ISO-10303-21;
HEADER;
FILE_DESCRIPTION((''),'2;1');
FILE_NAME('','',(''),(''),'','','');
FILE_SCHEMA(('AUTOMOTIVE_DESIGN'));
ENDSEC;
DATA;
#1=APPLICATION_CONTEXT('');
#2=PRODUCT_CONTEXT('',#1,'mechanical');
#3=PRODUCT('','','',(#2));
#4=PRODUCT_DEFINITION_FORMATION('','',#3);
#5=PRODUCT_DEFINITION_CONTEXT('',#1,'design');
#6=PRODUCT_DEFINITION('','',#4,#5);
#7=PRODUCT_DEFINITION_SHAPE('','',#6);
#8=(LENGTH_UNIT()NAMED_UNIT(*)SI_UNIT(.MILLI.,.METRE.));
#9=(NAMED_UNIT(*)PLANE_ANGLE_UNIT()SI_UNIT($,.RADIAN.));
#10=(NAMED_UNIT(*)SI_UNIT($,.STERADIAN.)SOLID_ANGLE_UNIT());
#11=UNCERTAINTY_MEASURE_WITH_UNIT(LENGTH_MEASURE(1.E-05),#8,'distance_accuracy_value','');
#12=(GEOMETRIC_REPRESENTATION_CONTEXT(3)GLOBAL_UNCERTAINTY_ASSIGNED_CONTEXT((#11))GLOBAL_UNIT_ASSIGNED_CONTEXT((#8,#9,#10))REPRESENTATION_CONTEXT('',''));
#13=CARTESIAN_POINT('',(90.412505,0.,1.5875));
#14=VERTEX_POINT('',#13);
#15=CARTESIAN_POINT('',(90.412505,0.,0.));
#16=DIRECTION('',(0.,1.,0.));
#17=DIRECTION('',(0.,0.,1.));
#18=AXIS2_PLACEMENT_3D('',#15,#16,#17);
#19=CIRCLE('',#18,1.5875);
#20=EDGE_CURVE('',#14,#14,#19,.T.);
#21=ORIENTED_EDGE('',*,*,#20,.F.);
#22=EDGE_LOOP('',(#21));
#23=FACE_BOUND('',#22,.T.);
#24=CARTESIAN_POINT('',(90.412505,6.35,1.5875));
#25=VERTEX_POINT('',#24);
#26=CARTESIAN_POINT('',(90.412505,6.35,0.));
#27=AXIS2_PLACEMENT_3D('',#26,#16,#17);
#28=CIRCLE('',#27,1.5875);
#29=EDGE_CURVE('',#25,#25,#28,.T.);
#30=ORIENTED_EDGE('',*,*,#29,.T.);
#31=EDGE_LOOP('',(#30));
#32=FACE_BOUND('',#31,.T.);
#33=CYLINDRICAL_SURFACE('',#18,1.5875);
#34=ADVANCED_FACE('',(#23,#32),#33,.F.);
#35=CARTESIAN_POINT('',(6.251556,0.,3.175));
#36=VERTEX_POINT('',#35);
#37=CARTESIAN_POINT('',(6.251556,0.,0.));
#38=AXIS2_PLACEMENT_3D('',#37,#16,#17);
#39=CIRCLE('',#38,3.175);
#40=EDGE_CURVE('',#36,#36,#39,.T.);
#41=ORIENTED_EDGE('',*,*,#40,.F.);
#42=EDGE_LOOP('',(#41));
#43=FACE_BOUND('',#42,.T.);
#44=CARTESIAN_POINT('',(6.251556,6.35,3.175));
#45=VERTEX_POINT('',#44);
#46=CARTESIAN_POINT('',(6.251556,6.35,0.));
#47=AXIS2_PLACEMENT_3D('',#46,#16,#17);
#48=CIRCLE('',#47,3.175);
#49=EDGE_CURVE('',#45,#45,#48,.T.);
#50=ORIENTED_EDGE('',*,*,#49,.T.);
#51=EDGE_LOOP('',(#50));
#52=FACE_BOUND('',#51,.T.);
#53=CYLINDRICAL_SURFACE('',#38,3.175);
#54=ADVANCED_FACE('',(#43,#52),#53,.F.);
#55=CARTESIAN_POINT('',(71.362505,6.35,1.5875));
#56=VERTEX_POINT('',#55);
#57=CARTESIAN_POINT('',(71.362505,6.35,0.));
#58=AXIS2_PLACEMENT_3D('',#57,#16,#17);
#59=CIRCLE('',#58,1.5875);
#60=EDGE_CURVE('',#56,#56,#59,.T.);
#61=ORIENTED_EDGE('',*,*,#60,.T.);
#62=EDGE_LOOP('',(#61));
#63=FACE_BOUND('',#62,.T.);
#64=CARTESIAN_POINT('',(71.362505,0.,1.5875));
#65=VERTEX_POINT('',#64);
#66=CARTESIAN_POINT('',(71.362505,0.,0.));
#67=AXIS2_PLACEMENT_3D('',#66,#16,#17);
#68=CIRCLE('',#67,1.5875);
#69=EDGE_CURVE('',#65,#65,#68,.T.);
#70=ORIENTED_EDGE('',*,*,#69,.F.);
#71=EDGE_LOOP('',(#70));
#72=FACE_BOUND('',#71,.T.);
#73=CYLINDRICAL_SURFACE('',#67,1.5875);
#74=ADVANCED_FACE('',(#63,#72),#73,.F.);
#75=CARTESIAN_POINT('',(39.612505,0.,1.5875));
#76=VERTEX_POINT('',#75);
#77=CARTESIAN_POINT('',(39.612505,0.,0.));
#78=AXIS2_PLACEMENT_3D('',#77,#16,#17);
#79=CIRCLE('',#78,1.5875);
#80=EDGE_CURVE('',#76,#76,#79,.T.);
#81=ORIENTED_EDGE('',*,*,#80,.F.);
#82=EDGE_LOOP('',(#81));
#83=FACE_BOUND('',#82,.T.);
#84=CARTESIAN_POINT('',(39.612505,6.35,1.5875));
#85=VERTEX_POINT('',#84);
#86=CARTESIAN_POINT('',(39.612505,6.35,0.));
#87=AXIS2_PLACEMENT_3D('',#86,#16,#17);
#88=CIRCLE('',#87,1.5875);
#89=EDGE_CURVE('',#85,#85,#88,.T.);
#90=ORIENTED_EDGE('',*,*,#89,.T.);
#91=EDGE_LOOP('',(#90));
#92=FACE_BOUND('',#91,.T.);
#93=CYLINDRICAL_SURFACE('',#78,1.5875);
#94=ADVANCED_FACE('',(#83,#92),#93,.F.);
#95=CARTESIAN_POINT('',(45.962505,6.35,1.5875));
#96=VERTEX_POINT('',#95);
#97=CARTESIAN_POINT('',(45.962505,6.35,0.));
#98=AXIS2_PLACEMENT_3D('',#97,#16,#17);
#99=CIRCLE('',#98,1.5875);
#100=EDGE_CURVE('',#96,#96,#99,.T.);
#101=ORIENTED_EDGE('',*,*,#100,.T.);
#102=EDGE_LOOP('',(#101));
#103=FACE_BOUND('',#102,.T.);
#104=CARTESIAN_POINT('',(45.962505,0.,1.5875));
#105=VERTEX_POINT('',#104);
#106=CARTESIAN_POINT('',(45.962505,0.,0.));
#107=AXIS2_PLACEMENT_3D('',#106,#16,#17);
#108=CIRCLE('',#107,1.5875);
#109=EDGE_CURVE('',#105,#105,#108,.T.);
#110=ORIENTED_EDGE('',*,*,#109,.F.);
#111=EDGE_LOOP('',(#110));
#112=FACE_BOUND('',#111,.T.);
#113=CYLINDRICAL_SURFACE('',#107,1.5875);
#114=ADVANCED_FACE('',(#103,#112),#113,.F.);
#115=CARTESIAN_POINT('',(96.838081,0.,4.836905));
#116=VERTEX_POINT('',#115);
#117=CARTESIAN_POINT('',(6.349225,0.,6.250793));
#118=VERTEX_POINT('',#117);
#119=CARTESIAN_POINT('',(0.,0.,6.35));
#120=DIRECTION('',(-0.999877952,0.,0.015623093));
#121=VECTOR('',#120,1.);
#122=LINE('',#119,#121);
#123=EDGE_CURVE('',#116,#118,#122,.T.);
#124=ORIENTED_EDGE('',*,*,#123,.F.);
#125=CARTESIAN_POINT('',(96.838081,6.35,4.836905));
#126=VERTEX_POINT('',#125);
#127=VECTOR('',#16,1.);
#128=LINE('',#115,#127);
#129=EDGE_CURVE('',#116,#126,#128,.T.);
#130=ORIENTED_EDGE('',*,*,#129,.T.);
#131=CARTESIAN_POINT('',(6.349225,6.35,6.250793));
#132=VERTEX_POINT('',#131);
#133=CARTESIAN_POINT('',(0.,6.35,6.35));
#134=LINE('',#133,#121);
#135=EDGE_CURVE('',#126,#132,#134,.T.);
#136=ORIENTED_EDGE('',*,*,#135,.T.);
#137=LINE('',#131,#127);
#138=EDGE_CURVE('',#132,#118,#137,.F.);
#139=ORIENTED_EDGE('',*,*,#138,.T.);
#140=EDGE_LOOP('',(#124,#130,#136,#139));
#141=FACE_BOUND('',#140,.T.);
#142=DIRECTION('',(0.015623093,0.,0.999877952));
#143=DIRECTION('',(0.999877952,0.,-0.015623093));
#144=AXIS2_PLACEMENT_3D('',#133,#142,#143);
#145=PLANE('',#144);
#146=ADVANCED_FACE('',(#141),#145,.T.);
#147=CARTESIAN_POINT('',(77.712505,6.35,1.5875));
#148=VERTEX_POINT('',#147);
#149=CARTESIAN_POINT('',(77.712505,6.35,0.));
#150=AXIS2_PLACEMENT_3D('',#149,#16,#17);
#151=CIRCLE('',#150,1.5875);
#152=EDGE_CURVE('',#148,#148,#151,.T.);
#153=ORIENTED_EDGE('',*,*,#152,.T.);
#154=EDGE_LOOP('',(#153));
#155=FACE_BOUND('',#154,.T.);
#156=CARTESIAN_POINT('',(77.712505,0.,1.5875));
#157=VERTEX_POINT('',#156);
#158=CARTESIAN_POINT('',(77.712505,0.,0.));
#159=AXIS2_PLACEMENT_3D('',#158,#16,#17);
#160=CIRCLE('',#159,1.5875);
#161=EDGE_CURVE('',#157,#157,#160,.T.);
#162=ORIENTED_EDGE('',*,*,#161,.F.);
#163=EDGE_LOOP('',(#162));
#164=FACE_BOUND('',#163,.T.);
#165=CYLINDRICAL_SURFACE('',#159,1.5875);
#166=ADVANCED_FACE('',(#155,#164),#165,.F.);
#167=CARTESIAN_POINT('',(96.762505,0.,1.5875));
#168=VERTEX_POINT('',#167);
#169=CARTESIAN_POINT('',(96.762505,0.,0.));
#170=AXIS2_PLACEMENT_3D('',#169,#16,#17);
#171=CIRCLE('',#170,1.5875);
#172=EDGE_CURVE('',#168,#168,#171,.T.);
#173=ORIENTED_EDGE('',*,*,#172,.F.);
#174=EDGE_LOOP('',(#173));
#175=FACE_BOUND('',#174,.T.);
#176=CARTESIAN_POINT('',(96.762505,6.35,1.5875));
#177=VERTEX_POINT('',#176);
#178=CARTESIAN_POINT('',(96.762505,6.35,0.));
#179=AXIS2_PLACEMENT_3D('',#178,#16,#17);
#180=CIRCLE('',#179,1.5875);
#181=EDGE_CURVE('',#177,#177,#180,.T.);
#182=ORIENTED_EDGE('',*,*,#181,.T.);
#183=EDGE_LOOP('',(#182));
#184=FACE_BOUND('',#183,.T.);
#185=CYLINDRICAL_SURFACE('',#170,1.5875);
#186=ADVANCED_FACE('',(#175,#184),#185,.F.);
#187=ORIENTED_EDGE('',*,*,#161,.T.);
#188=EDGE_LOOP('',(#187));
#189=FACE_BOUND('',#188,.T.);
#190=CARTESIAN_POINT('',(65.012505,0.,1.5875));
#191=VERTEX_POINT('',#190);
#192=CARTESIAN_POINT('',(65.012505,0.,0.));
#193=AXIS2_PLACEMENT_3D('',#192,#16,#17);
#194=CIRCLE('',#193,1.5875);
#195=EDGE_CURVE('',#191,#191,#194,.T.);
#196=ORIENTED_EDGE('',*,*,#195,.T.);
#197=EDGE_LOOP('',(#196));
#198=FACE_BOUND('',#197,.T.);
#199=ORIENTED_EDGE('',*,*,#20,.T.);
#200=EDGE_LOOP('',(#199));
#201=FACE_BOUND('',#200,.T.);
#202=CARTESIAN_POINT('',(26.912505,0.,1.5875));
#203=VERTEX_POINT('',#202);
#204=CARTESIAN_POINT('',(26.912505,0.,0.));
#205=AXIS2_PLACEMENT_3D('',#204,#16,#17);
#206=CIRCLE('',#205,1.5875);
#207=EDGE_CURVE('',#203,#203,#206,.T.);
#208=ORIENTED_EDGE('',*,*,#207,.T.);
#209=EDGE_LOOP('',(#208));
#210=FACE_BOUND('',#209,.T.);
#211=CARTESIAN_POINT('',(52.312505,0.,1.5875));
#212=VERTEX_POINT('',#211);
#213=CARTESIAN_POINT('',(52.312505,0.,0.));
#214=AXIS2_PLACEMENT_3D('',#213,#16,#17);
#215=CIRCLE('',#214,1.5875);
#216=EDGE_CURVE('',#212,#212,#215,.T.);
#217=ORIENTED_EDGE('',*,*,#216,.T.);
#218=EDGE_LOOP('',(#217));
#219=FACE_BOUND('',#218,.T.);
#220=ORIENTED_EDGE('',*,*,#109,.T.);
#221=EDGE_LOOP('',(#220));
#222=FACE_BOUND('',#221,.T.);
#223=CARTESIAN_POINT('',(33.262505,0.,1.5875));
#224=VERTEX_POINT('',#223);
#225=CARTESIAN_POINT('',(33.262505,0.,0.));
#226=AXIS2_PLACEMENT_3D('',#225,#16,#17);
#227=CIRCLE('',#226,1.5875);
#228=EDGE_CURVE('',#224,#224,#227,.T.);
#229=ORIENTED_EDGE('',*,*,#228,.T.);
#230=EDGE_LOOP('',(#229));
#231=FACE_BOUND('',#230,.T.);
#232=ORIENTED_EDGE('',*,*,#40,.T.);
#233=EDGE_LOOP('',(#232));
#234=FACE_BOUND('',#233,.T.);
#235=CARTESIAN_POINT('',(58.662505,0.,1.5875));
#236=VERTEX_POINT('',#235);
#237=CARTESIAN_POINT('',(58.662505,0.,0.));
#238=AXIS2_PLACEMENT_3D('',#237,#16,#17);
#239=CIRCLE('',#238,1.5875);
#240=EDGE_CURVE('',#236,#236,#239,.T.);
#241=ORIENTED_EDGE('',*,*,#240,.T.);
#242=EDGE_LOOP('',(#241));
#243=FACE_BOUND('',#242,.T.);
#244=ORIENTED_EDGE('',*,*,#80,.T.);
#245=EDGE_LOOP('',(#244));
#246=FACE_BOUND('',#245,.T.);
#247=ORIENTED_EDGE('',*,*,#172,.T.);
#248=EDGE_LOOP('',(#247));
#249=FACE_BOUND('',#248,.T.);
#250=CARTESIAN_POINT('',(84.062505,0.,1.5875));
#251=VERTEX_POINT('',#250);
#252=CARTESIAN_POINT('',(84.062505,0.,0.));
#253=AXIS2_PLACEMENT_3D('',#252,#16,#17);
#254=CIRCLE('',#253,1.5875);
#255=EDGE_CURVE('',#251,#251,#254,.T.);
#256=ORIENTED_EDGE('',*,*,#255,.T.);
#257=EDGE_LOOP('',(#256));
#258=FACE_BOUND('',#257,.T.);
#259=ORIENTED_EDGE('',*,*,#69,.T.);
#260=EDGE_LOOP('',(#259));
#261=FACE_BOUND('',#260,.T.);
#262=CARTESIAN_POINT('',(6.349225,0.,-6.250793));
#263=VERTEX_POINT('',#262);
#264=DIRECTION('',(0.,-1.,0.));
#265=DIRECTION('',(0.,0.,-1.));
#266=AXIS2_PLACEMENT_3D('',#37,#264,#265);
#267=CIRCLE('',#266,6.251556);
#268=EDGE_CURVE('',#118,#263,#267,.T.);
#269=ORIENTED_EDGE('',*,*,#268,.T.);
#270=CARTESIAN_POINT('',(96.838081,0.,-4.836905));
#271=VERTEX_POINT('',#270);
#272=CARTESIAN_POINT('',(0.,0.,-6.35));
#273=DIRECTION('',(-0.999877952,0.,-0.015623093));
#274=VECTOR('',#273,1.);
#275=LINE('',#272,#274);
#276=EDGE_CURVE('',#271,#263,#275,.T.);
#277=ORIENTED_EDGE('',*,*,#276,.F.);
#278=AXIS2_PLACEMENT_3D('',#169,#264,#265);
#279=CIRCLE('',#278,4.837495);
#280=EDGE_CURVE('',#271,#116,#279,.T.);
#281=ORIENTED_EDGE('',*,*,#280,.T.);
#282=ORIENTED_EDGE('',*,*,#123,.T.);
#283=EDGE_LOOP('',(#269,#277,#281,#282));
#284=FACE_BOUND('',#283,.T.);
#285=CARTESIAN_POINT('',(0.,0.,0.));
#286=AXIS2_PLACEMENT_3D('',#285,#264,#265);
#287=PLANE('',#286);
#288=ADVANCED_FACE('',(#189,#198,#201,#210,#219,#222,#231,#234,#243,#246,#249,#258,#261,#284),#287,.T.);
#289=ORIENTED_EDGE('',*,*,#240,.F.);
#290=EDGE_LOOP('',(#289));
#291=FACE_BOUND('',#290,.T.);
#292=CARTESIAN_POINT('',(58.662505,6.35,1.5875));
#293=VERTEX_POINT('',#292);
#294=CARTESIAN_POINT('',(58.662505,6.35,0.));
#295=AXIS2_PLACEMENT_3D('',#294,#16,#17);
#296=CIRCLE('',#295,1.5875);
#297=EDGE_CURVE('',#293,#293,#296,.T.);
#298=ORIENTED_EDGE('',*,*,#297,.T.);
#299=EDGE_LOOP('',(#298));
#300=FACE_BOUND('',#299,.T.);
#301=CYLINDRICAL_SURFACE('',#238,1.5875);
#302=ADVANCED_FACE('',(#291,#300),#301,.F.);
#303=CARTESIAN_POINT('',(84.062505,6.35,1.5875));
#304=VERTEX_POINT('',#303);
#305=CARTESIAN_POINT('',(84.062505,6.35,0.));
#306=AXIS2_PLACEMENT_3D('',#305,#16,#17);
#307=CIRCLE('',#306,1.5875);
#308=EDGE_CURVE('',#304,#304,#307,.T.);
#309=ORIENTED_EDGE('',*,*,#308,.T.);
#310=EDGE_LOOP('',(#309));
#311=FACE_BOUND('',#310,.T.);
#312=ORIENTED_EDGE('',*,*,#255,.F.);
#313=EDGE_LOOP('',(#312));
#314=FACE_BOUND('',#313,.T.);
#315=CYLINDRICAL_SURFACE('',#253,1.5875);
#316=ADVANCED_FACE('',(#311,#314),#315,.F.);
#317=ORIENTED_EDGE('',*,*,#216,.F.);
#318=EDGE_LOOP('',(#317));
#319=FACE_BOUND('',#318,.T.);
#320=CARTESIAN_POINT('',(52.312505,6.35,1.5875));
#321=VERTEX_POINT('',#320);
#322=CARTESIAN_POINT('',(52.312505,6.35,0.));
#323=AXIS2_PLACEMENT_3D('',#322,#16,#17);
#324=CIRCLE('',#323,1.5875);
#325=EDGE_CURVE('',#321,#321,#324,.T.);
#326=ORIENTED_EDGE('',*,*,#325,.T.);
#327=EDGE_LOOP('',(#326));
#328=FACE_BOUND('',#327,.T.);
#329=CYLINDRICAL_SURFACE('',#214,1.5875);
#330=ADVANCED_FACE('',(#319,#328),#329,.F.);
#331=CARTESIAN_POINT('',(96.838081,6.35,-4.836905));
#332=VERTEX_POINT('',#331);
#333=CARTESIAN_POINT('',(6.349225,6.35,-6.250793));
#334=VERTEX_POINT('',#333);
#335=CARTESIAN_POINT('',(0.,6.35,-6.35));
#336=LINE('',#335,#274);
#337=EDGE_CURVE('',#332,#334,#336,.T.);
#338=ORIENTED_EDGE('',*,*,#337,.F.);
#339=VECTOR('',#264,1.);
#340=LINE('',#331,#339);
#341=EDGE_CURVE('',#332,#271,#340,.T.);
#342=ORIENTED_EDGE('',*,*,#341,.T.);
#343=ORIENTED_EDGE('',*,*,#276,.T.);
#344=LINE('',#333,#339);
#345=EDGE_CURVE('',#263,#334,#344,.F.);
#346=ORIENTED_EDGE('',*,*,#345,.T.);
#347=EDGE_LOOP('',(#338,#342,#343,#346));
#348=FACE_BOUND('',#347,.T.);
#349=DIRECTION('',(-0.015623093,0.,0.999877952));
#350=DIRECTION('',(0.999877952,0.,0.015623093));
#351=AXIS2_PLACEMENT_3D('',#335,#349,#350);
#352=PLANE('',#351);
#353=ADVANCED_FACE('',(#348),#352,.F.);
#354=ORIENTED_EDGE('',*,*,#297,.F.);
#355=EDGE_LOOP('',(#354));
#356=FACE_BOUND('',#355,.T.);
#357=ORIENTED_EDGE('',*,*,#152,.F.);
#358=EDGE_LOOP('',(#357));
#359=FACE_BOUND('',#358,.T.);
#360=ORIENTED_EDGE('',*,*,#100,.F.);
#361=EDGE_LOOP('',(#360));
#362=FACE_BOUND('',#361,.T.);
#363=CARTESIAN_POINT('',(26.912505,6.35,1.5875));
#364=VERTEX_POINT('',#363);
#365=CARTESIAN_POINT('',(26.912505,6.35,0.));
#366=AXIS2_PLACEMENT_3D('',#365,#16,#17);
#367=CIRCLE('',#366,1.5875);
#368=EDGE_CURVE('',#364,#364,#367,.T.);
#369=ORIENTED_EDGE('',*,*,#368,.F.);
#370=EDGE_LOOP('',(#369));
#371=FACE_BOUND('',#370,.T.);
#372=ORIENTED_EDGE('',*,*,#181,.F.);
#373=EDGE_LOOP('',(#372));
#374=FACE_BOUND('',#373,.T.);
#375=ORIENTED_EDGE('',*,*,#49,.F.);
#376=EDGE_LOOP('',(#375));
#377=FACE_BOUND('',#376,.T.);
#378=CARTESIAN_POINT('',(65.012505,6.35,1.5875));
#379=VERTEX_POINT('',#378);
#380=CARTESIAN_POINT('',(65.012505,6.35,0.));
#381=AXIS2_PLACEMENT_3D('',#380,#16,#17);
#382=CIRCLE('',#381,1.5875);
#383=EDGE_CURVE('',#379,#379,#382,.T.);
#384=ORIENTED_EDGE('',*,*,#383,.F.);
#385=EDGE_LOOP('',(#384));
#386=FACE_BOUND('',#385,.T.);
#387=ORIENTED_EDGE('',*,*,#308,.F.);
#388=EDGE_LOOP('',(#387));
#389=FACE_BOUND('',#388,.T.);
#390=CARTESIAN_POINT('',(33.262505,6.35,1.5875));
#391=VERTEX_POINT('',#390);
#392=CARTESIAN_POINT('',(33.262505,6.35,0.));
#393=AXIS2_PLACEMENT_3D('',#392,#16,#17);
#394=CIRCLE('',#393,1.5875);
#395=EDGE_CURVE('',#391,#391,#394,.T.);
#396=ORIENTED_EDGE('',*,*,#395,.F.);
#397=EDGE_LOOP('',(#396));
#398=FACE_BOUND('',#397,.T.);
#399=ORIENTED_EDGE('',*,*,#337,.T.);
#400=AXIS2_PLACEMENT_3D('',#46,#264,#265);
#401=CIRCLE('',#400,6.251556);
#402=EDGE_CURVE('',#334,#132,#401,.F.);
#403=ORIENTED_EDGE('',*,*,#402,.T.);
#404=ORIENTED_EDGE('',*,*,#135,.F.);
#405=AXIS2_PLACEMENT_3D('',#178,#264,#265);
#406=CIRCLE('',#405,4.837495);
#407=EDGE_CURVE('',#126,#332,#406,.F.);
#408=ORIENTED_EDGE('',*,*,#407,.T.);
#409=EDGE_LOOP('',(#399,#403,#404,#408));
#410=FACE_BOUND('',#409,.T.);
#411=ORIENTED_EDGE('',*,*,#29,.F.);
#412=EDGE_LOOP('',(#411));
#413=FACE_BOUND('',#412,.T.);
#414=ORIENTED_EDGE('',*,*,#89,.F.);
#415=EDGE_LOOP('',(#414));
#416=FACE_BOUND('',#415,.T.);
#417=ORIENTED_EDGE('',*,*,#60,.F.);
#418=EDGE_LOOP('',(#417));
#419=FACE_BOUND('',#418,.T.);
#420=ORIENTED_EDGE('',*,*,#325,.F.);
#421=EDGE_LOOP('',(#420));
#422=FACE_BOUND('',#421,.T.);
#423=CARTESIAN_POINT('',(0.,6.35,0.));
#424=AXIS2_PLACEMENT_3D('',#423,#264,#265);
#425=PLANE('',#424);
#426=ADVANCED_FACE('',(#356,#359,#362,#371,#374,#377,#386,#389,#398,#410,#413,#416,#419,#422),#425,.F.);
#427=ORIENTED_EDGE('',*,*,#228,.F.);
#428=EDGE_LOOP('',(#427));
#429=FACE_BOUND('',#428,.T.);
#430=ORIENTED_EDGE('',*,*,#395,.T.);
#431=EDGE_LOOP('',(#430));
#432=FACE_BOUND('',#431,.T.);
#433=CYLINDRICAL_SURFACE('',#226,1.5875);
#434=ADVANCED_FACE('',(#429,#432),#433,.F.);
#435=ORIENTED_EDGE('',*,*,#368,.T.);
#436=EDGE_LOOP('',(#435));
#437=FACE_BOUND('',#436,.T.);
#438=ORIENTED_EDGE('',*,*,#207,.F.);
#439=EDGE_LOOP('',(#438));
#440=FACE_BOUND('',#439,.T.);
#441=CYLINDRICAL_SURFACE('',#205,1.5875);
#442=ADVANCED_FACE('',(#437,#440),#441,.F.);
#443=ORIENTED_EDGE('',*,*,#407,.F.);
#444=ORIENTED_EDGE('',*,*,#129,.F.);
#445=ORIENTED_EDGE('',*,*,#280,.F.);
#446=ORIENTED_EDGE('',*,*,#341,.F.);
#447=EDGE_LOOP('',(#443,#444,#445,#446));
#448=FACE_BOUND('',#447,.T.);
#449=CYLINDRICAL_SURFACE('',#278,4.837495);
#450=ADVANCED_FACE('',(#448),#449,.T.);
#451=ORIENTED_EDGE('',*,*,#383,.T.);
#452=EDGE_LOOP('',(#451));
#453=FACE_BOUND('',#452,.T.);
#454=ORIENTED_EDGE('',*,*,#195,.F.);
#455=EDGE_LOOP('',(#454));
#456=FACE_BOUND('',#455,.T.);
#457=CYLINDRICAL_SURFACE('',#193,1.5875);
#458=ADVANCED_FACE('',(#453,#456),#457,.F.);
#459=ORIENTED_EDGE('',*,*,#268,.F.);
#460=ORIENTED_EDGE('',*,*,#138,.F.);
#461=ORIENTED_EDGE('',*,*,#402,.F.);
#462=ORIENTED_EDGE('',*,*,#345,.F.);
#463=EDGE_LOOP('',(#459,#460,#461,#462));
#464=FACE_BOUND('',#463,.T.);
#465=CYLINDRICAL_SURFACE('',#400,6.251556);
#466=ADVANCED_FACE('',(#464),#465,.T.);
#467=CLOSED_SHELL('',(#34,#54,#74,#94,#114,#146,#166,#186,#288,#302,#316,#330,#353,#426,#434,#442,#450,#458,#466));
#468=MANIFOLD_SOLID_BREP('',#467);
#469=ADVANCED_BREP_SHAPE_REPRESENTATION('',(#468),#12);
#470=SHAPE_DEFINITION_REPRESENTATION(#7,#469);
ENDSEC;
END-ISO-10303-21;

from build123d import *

# Parameters (mm, degrees)
BOSS_EXTRUDE1_DEPTH = 6.35
FILLET1_R           = 4.837495
FILLET3_R           = 6.251556
SKETCH3_R           = 3.175
SKETCH3_R_2         = 1.5875
CUT_EXTRUDE1_DEPTH  = 7.35
SKETCH5_R           = 1.5875
CUT_EXTRUDE2_DEPTH  = 7.35
LPATTERN1_COUNT     = 11
LPATTERN1_PITCH     = 6.35


with BuildPart() as part:
    # Sketch2 → Boss-Extrude1 (new body)
    with BuildSketch(Plane(origin=(0, 0, 0), x_dir=(1, 0, 0), z_dir=(0, 1, 0))):
        Polygon((0, 0), (0, 6.35), (101.6, 4.7625), (101.6, 0), align=None)
    boss_extrude1 = extrude(amount=BOSS_EXTRUDE1_DEPTH)

    # Mirror1: Boss-Extrude1 across plane
    add(boss_extrude1.mirror(Plane(origin=(101.6, 6.35, 0), x_dir=(1, 0, 0), z_dir=(0, 0, -1))))

    # Fillet1
    fillet1_edges = [part.edges().sort_by_distance(p)[0] for p in [
        (101.6, 3.175, 4.7625),
        (101.6, 3.175, -4.7625),
    ]]
    fillet(fillet1_edges, radius=FILLET1_R)

    # Fillet3
    fillet3_edges = [part.edges().sort_by_distance(p)[0] for p in [
        (0, 3.175, 6.35),
        (0, 3.175, -6.35),
    ]]
    fillet(fillet3_edges, radius=FILLET3_R)

    # Sketch3 → Cut-Extrude1 (cut, through all)
    with BuildSketch(Plane(origin=(0, 6.35, 0), x_dir=(1, 0, 0), z_dir=(0, 1, 0))):
        with Locations((6.251556349, 0)):
            Circle(SKETCH3_R)
        with Locations((96.762504613, 0)):
            Circle(SKETCH3_R_2)
    extrude(amount=-CUT_EXTRUDE1_DEPTH, mode=Mode.SUBTRACT)

    # Sketch5 → Cut-Extrude2 (cut, through all)
    with BuildSketch(Plane(origin=(0, 6.35, 0), x_dir=(1, 0, 0), z_dir=(0, 1, 0))):
        with Locations((90.412504613, 0)):
            Circle(SKETCH5_R)
    cut_extrude2 = extrude(amount=-CUT_EXTRUDE2_DEPTH, mode=Mode.SUBTRACT)

    # LPattern1: Cut-Extrude2 ×11
    with Locations(*[(-i * LPATTERN1_PITCH, 0, 0) for i in range(1, LPATTERN1_COUNT)]):
        add(cut_extrude2, mode=Mode.SUBTRACT)


solid = part.part
